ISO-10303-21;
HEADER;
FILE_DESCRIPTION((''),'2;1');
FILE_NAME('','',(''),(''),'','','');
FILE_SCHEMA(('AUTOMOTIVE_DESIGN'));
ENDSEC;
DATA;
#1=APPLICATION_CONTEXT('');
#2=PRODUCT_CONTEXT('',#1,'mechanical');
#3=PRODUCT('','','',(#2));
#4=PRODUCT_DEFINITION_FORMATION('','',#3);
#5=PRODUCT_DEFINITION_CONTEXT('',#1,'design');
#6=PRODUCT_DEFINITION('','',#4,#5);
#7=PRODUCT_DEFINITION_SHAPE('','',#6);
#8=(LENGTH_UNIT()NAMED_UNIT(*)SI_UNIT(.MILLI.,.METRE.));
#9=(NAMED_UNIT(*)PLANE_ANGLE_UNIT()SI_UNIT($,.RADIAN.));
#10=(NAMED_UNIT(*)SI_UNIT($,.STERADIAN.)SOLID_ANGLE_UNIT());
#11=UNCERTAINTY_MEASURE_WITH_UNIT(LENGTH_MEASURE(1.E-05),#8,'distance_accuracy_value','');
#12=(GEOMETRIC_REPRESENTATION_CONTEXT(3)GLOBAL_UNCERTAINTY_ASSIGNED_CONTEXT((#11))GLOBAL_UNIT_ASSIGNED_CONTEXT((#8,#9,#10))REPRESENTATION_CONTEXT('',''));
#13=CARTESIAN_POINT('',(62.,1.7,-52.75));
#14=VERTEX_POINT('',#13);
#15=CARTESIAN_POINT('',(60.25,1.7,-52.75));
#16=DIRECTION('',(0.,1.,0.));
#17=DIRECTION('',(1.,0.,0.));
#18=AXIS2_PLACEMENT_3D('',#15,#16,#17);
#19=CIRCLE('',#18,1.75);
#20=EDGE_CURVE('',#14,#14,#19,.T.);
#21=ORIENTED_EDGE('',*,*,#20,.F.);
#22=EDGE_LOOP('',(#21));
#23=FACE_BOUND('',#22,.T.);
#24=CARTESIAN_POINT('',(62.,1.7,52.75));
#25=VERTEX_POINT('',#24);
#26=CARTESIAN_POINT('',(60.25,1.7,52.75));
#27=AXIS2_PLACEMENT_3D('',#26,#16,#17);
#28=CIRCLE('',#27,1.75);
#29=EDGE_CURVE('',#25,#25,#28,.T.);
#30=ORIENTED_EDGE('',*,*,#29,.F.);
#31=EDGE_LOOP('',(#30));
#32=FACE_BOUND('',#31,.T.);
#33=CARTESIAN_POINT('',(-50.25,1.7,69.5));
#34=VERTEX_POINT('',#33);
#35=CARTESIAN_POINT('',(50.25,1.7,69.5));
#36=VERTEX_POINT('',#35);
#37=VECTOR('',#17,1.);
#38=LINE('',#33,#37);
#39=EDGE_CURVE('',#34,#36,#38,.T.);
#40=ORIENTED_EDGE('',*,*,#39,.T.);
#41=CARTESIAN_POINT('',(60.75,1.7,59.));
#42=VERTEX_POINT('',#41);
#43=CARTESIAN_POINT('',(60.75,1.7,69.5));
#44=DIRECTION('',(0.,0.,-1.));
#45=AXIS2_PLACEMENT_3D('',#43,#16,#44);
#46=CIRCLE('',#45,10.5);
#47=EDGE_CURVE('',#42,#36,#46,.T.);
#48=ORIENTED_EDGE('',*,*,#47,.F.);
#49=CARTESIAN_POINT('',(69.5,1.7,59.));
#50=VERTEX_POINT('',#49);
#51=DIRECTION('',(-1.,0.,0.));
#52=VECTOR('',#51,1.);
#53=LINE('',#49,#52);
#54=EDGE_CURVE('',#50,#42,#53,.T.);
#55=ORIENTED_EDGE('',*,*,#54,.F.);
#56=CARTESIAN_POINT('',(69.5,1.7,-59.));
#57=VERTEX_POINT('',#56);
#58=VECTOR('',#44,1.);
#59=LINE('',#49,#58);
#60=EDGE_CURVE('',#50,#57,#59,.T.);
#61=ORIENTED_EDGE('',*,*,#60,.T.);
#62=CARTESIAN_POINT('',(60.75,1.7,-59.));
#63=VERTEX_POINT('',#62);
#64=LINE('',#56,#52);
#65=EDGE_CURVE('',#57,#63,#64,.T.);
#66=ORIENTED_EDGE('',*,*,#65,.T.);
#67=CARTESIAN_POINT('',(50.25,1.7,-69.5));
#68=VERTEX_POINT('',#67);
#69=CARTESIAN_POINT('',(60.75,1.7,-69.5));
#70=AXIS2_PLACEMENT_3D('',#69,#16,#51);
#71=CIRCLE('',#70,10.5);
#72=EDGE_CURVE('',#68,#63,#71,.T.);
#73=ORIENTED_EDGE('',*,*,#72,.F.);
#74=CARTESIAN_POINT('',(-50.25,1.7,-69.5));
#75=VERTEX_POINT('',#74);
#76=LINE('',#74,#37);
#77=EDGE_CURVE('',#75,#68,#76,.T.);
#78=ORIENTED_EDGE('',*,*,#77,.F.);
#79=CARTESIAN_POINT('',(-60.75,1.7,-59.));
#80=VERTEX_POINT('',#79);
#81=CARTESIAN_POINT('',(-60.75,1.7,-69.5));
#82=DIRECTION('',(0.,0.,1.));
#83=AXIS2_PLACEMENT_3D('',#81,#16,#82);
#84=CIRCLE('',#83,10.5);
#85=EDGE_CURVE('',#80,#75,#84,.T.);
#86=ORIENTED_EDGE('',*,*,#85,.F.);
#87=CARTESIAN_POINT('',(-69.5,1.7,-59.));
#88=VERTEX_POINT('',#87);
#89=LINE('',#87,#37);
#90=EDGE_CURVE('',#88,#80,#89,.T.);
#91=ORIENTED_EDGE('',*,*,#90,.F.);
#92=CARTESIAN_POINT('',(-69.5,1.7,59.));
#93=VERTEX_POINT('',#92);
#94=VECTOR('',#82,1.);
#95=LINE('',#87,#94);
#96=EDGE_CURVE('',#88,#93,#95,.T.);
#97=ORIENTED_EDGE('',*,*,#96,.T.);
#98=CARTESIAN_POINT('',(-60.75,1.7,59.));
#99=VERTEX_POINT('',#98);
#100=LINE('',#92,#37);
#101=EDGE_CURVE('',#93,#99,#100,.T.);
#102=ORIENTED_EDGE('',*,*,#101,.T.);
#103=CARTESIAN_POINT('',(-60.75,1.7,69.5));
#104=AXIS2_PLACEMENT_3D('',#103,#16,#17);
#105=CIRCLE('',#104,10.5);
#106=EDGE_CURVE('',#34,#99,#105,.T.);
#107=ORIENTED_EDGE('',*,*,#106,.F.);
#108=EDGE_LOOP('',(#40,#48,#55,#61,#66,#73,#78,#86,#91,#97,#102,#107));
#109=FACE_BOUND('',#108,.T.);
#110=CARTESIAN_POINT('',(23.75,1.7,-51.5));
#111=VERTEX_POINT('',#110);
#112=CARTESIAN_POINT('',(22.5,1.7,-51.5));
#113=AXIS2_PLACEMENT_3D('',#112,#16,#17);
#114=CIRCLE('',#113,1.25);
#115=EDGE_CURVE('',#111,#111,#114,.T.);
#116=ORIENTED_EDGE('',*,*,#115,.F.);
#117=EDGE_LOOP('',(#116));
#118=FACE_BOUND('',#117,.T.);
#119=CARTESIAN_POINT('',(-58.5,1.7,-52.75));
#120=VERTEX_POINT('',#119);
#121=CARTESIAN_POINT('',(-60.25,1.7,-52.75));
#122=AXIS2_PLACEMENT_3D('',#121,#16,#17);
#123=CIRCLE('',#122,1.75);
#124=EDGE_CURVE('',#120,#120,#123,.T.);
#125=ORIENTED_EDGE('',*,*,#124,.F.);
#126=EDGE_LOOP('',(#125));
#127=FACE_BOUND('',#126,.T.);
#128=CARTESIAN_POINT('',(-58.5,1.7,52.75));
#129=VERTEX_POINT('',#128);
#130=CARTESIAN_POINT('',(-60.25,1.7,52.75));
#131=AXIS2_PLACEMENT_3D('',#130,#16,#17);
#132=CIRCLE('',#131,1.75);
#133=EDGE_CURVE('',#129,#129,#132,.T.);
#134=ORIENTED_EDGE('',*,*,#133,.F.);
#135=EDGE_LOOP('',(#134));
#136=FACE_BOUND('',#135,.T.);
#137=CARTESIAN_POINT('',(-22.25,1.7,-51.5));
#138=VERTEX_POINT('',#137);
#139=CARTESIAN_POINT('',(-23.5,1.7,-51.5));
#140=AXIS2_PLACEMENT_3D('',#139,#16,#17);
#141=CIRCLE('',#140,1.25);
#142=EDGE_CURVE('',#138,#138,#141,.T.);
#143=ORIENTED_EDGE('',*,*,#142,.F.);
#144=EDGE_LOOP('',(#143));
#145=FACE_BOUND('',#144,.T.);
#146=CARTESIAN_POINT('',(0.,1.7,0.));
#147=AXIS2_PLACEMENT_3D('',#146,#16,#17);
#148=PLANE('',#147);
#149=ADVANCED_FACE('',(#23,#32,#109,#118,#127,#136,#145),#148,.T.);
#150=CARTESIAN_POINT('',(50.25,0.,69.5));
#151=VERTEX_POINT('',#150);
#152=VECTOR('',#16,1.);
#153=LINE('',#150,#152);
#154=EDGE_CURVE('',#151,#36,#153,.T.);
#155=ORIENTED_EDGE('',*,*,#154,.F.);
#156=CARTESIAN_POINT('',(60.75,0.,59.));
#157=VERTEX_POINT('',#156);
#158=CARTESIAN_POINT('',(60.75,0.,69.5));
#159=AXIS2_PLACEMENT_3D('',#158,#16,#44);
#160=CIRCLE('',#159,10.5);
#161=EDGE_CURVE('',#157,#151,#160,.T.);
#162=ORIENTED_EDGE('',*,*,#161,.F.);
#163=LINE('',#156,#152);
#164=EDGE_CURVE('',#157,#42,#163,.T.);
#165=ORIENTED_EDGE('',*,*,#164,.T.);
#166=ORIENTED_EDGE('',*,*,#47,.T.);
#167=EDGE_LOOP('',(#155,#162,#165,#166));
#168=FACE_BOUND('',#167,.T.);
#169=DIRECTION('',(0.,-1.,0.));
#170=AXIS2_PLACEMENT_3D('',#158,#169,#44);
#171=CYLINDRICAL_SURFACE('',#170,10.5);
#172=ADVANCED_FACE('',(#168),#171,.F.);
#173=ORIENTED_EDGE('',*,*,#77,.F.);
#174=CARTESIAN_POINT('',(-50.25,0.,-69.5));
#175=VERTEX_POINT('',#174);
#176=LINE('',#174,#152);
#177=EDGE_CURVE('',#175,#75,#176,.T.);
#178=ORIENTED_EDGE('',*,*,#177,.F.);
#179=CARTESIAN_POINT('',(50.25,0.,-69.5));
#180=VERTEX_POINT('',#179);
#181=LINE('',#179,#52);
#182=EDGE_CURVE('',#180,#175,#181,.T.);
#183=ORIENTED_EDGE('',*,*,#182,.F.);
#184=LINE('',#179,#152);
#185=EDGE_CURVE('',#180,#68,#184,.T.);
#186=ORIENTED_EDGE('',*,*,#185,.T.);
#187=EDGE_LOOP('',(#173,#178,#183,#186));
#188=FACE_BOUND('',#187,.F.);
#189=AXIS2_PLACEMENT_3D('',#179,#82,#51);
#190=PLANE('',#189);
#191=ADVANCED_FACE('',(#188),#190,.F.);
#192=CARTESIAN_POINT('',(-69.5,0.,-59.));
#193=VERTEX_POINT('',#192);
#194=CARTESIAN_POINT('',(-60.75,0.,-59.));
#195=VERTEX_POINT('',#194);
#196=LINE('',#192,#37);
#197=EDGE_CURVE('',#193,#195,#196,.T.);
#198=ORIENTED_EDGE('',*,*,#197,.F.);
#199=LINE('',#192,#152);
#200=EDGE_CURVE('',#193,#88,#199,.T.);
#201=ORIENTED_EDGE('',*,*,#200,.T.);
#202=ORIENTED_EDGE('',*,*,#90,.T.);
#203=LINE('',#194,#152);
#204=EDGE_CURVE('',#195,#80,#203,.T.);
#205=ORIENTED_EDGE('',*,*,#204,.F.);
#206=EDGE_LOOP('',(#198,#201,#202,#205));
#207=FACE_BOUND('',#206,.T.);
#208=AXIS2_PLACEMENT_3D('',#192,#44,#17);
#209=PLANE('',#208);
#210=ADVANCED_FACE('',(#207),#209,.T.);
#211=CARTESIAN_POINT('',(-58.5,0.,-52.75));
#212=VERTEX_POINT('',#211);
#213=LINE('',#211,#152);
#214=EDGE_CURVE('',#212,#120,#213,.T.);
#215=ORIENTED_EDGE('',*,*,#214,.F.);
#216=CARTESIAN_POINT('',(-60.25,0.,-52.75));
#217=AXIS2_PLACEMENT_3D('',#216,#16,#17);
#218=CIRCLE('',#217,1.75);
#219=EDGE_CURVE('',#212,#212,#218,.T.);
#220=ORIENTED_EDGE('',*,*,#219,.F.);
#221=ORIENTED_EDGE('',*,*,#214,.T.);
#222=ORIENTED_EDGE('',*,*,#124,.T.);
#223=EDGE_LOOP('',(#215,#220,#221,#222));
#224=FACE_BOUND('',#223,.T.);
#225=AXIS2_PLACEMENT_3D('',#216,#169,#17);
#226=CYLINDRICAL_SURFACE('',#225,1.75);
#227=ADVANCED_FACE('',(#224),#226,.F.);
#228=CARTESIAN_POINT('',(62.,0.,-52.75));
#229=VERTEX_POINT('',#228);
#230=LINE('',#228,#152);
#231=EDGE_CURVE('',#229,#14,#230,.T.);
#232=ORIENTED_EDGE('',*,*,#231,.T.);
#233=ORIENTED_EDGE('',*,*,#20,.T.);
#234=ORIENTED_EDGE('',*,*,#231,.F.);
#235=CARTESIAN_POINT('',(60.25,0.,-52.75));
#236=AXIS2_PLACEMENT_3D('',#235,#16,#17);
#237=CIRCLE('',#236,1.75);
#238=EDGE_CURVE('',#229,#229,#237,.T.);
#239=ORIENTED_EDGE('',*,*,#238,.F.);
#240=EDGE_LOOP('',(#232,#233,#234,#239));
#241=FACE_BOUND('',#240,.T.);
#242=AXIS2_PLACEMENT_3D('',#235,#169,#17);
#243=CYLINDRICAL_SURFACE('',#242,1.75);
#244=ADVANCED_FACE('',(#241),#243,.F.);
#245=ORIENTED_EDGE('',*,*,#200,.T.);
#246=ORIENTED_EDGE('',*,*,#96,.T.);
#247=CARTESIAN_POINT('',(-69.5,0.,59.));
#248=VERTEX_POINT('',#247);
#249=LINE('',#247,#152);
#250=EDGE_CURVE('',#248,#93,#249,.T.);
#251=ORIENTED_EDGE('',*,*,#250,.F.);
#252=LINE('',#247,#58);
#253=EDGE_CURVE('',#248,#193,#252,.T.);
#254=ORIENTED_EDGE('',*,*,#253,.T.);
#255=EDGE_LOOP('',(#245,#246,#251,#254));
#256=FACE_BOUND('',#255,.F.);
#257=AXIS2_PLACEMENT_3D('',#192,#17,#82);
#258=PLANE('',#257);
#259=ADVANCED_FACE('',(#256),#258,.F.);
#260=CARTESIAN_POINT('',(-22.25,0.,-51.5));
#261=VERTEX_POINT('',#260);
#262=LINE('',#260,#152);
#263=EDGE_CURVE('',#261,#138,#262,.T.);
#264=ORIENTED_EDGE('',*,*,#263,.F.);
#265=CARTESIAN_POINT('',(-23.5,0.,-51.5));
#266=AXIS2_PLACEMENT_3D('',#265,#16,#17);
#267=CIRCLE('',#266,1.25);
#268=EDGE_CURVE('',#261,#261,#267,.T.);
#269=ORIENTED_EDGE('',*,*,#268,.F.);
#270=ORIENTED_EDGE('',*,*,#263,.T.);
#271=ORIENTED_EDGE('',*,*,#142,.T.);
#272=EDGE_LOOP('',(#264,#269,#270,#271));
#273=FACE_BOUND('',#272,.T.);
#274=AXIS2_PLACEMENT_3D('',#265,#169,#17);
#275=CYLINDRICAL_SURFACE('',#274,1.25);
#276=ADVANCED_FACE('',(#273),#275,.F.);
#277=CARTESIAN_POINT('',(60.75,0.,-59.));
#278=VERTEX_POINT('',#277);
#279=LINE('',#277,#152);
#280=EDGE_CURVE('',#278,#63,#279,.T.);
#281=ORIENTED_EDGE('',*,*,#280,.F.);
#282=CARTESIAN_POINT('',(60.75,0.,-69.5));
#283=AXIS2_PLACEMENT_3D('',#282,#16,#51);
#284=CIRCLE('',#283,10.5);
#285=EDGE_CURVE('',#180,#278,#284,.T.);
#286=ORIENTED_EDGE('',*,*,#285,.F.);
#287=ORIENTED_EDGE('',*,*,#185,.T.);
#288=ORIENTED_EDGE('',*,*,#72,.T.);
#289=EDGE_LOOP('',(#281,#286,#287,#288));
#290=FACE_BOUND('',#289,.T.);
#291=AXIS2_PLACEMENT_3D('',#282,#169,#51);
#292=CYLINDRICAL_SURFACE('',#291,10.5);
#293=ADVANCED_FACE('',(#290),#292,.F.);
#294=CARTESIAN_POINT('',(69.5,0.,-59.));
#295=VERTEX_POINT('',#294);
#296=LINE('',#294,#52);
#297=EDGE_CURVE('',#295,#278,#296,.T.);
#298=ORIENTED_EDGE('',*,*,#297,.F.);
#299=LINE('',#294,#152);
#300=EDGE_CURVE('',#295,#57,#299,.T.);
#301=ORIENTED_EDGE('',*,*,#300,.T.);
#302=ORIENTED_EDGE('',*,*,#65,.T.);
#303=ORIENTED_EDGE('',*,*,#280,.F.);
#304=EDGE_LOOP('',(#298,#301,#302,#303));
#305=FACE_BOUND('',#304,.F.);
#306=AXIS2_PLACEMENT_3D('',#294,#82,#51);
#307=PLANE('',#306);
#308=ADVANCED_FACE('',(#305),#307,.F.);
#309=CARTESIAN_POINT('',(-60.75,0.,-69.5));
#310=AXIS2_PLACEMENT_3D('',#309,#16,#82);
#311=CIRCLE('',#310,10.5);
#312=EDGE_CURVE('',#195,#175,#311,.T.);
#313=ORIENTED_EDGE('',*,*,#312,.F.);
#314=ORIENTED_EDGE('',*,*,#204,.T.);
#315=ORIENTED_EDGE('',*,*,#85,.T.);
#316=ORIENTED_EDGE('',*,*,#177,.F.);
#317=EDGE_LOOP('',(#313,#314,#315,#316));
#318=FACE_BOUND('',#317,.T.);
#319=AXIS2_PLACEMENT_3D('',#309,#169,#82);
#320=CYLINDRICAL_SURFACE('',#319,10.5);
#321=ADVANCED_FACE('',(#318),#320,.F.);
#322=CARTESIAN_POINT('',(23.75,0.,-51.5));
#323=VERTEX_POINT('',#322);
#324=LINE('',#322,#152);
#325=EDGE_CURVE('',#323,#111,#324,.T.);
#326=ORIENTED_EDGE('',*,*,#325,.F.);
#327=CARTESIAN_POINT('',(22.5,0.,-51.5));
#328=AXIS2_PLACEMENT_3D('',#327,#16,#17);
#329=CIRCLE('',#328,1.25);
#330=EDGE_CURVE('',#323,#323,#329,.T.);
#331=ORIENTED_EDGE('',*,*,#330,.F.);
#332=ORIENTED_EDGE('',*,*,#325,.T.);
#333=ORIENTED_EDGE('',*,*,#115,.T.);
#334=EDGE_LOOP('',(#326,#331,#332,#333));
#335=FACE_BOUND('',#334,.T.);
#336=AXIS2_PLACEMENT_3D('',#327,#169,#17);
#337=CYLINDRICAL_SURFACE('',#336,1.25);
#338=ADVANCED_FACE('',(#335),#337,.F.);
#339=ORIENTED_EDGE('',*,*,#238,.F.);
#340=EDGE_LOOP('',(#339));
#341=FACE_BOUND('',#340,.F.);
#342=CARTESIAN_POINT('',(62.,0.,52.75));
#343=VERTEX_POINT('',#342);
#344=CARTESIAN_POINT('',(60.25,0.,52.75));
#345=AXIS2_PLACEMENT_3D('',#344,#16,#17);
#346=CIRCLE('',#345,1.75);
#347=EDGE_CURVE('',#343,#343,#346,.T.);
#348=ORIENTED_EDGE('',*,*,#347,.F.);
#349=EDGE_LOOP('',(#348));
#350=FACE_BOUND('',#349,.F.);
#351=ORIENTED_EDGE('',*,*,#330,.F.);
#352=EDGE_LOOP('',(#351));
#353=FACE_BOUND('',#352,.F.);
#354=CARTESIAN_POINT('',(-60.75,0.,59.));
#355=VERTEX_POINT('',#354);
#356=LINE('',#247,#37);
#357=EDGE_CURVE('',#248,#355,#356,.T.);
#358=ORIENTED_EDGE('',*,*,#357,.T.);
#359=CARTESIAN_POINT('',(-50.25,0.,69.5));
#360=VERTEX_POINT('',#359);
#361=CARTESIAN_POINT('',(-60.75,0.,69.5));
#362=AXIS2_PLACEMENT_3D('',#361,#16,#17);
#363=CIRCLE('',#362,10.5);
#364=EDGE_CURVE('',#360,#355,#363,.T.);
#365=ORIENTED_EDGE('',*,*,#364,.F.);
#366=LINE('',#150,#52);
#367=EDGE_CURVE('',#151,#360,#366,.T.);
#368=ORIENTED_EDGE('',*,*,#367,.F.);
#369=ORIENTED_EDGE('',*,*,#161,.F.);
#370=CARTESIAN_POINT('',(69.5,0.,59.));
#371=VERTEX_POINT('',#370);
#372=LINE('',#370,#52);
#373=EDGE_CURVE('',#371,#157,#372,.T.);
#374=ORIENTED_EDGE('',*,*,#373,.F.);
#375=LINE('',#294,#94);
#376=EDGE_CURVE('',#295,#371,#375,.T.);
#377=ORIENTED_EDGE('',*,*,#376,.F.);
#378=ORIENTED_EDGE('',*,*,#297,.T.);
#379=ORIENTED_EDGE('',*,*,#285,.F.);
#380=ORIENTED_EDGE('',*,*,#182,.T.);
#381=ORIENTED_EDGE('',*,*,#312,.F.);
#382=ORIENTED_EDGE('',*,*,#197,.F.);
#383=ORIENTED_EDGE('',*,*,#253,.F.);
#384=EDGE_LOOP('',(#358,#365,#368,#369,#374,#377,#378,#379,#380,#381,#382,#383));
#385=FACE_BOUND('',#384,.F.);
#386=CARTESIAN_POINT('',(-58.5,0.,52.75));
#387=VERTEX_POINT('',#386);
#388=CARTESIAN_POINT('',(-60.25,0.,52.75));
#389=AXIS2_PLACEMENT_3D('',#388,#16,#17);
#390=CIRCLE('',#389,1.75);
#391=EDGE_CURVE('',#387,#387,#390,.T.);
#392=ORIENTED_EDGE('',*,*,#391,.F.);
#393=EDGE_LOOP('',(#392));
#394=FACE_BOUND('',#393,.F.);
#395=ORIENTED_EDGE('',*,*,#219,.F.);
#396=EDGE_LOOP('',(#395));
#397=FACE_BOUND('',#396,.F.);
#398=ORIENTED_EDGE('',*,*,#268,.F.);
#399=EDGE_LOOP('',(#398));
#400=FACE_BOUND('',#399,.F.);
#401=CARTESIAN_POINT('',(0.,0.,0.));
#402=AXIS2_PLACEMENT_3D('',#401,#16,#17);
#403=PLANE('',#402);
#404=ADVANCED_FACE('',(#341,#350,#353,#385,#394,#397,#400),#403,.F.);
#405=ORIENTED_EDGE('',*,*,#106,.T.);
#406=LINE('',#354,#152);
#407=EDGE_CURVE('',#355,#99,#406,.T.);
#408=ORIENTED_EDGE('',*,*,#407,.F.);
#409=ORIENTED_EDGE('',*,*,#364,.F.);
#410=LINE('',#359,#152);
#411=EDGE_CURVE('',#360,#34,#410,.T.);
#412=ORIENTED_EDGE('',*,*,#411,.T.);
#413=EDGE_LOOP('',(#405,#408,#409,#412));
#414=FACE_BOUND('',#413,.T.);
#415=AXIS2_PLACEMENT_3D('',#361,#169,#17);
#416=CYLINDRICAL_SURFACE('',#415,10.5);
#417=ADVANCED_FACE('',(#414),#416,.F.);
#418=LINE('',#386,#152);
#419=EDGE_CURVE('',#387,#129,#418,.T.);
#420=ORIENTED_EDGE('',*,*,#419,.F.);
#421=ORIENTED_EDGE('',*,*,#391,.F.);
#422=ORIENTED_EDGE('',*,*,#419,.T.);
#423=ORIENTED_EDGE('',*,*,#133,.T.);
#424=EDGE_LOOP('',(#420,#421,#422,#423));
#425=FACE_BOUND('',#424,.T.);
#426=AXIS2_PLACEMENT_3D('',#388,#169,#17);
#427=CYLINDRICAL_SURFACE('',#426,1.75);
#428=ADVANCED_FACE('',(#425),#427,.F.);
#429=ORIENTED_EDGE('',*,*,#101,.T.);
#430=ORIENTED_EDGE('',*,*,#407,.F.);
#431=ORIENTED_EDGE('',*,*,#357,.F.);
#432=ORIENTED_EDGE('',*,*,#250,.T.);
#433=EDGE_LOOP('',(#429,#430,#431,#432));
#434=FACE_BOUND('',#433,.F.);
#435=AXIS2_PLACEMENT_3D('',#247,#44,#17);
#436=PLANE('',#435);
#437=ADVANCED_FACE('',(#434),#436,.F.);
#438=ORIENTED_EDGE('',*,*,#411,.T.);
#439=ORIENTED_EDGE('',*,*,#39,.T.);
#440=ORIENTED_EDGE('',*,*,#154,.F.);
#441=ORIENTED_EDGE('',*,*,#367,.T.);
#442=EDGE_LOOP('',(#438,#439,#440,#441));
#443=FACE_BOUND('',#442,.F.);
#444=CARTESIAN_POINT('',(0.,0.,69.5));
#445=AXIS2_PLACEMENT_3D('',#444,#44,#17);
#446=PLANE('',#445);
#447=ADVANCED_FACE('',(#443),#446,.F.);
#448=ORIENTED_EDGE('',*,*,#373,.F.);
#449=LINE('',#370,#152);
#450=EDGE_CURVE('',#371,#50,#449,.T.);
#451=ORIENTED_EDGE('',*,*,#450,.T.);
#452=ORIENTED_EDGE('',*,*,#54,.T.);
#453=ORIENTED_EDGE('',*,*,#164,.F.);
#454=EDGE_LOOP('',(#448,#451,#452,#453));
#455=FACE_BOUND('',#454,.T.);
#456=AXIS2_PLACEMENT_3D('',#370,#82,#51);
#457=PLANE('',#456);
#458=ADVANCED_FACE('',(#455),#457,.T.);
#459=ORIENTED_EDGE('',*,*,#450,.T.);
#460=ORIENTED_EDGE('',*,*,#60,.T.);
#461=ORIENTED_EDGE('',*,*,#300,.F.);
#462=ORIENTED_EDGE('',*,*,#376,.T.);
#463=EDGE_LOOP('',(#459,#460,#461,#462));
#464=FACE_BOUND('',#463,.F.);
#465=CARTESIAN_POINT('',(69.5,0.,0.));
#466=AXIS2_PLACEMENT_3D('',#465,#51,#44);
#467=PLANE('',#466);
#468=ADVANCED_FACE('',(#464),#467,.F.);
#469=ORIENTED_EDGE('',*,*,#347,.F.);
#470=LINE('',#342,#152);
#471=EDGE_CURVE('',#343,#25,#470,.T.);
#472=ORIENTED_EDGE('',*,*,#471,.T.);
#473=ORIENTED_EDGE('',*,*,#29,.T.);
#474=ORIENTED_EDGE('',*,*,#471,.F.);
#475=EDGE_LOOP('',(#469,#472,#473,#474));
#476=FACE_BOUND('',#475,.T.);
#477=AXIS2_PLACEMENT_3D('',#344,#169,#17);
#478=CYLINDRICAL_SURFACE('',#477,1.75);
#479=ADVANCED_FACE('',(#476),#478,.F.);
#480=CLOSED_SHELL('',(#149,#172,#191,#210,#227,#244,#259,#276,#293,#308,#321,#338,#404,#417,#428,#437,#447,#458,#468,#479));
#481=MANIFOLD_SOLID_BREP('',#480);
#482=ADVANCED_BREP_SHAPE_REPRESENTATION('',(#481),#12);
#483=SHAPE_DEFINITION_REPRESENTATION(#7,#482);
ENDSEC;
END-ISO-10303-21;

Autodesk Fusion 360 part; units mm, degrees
sketch "Sketch1" plane through (0, 0, 0) normal (0, 1, 0) x (1, 0, 0)
  line L0 (50.25, 69.5) -> (-50.25, 69.5)
  line L1 (-69.5, 59) -> (-69.5, -59)
  line L2 (-50.25, -69.5) -> (50.25, -69.5)
  line L3 (69.5, -59) -> (69.5, 59)
  line L4 (-69.5, -59) -> (-60.75, -59)
  arc A0 (-50.25, -69.5) -> (-60.75, -59) centre (-60.75, -69.5) ccw
  circle A1 centre (-60.25, -52.75) radius 1.75
  line L5 (0, 69.5) -> (0, -69.5)
  line L6 (-69.5, 0) -> (69.5, 0)
  line L7 (69.5, -59) -> (60.75, -59)
  arc A2 (60.75, -59) -> (50.25, -69.5) centre (60.75, -69.5) ccw
  circle A3 centre (60.25, -52.75) radius 1.75
  arc A4 (50.25, 69.5) -> (60.75, 59) centre (60.75, 69.5) ccw
  line L8 (69.5, 59) -> (60.75, 59)
  circle A5 centre (60.25, 52.75) radius 1.75
  arc A6 (-60.75, 59) -> (-50.25, 69.5) centre (-60.75, 69.5) ccw
  line L9 (-69.5, 59) -> (-60.75, 59)
  circle A7 centre (-60.25, 52.75) radius 1.75
  circle A8 centre (-23.5, 51.5) radius 1.25
  circle A9 centre (22.5, 51.5) radius 1.25
  dimension "d5" = 10.5
  dimension "d7" = 50.25
  dimension "d8" = 59
  dimension "d9" = 69.5
  dimension "d10" = 69.5
  dimension "d11" = 3.5
  dimension "d12" = 52.75
  dimension "d13" = 60.25
  dimension "d14" = 69.5
  dimension "d15" = 139
  dimension "d16" = 2.5
  dimension "d19" = 18
  dimension "d22" = 46
  dimension "d23" = 2.5
  dimension "d24" = 46
  dimension "d25" = 47
extrude "Extrude1" add sketch "Sketch1" along normal blind 1.7
equation "d3 = 10.5 mm"
equation "d5 = d3"
equation "d12 = ( 105.5 / 2 ) * 1 mm"
equation "d13 = ( 120.5 / 2 ) * 1 mm"
equation "d22 = 44.75 mm + d16 / 2"
equation "d23 = d16"
